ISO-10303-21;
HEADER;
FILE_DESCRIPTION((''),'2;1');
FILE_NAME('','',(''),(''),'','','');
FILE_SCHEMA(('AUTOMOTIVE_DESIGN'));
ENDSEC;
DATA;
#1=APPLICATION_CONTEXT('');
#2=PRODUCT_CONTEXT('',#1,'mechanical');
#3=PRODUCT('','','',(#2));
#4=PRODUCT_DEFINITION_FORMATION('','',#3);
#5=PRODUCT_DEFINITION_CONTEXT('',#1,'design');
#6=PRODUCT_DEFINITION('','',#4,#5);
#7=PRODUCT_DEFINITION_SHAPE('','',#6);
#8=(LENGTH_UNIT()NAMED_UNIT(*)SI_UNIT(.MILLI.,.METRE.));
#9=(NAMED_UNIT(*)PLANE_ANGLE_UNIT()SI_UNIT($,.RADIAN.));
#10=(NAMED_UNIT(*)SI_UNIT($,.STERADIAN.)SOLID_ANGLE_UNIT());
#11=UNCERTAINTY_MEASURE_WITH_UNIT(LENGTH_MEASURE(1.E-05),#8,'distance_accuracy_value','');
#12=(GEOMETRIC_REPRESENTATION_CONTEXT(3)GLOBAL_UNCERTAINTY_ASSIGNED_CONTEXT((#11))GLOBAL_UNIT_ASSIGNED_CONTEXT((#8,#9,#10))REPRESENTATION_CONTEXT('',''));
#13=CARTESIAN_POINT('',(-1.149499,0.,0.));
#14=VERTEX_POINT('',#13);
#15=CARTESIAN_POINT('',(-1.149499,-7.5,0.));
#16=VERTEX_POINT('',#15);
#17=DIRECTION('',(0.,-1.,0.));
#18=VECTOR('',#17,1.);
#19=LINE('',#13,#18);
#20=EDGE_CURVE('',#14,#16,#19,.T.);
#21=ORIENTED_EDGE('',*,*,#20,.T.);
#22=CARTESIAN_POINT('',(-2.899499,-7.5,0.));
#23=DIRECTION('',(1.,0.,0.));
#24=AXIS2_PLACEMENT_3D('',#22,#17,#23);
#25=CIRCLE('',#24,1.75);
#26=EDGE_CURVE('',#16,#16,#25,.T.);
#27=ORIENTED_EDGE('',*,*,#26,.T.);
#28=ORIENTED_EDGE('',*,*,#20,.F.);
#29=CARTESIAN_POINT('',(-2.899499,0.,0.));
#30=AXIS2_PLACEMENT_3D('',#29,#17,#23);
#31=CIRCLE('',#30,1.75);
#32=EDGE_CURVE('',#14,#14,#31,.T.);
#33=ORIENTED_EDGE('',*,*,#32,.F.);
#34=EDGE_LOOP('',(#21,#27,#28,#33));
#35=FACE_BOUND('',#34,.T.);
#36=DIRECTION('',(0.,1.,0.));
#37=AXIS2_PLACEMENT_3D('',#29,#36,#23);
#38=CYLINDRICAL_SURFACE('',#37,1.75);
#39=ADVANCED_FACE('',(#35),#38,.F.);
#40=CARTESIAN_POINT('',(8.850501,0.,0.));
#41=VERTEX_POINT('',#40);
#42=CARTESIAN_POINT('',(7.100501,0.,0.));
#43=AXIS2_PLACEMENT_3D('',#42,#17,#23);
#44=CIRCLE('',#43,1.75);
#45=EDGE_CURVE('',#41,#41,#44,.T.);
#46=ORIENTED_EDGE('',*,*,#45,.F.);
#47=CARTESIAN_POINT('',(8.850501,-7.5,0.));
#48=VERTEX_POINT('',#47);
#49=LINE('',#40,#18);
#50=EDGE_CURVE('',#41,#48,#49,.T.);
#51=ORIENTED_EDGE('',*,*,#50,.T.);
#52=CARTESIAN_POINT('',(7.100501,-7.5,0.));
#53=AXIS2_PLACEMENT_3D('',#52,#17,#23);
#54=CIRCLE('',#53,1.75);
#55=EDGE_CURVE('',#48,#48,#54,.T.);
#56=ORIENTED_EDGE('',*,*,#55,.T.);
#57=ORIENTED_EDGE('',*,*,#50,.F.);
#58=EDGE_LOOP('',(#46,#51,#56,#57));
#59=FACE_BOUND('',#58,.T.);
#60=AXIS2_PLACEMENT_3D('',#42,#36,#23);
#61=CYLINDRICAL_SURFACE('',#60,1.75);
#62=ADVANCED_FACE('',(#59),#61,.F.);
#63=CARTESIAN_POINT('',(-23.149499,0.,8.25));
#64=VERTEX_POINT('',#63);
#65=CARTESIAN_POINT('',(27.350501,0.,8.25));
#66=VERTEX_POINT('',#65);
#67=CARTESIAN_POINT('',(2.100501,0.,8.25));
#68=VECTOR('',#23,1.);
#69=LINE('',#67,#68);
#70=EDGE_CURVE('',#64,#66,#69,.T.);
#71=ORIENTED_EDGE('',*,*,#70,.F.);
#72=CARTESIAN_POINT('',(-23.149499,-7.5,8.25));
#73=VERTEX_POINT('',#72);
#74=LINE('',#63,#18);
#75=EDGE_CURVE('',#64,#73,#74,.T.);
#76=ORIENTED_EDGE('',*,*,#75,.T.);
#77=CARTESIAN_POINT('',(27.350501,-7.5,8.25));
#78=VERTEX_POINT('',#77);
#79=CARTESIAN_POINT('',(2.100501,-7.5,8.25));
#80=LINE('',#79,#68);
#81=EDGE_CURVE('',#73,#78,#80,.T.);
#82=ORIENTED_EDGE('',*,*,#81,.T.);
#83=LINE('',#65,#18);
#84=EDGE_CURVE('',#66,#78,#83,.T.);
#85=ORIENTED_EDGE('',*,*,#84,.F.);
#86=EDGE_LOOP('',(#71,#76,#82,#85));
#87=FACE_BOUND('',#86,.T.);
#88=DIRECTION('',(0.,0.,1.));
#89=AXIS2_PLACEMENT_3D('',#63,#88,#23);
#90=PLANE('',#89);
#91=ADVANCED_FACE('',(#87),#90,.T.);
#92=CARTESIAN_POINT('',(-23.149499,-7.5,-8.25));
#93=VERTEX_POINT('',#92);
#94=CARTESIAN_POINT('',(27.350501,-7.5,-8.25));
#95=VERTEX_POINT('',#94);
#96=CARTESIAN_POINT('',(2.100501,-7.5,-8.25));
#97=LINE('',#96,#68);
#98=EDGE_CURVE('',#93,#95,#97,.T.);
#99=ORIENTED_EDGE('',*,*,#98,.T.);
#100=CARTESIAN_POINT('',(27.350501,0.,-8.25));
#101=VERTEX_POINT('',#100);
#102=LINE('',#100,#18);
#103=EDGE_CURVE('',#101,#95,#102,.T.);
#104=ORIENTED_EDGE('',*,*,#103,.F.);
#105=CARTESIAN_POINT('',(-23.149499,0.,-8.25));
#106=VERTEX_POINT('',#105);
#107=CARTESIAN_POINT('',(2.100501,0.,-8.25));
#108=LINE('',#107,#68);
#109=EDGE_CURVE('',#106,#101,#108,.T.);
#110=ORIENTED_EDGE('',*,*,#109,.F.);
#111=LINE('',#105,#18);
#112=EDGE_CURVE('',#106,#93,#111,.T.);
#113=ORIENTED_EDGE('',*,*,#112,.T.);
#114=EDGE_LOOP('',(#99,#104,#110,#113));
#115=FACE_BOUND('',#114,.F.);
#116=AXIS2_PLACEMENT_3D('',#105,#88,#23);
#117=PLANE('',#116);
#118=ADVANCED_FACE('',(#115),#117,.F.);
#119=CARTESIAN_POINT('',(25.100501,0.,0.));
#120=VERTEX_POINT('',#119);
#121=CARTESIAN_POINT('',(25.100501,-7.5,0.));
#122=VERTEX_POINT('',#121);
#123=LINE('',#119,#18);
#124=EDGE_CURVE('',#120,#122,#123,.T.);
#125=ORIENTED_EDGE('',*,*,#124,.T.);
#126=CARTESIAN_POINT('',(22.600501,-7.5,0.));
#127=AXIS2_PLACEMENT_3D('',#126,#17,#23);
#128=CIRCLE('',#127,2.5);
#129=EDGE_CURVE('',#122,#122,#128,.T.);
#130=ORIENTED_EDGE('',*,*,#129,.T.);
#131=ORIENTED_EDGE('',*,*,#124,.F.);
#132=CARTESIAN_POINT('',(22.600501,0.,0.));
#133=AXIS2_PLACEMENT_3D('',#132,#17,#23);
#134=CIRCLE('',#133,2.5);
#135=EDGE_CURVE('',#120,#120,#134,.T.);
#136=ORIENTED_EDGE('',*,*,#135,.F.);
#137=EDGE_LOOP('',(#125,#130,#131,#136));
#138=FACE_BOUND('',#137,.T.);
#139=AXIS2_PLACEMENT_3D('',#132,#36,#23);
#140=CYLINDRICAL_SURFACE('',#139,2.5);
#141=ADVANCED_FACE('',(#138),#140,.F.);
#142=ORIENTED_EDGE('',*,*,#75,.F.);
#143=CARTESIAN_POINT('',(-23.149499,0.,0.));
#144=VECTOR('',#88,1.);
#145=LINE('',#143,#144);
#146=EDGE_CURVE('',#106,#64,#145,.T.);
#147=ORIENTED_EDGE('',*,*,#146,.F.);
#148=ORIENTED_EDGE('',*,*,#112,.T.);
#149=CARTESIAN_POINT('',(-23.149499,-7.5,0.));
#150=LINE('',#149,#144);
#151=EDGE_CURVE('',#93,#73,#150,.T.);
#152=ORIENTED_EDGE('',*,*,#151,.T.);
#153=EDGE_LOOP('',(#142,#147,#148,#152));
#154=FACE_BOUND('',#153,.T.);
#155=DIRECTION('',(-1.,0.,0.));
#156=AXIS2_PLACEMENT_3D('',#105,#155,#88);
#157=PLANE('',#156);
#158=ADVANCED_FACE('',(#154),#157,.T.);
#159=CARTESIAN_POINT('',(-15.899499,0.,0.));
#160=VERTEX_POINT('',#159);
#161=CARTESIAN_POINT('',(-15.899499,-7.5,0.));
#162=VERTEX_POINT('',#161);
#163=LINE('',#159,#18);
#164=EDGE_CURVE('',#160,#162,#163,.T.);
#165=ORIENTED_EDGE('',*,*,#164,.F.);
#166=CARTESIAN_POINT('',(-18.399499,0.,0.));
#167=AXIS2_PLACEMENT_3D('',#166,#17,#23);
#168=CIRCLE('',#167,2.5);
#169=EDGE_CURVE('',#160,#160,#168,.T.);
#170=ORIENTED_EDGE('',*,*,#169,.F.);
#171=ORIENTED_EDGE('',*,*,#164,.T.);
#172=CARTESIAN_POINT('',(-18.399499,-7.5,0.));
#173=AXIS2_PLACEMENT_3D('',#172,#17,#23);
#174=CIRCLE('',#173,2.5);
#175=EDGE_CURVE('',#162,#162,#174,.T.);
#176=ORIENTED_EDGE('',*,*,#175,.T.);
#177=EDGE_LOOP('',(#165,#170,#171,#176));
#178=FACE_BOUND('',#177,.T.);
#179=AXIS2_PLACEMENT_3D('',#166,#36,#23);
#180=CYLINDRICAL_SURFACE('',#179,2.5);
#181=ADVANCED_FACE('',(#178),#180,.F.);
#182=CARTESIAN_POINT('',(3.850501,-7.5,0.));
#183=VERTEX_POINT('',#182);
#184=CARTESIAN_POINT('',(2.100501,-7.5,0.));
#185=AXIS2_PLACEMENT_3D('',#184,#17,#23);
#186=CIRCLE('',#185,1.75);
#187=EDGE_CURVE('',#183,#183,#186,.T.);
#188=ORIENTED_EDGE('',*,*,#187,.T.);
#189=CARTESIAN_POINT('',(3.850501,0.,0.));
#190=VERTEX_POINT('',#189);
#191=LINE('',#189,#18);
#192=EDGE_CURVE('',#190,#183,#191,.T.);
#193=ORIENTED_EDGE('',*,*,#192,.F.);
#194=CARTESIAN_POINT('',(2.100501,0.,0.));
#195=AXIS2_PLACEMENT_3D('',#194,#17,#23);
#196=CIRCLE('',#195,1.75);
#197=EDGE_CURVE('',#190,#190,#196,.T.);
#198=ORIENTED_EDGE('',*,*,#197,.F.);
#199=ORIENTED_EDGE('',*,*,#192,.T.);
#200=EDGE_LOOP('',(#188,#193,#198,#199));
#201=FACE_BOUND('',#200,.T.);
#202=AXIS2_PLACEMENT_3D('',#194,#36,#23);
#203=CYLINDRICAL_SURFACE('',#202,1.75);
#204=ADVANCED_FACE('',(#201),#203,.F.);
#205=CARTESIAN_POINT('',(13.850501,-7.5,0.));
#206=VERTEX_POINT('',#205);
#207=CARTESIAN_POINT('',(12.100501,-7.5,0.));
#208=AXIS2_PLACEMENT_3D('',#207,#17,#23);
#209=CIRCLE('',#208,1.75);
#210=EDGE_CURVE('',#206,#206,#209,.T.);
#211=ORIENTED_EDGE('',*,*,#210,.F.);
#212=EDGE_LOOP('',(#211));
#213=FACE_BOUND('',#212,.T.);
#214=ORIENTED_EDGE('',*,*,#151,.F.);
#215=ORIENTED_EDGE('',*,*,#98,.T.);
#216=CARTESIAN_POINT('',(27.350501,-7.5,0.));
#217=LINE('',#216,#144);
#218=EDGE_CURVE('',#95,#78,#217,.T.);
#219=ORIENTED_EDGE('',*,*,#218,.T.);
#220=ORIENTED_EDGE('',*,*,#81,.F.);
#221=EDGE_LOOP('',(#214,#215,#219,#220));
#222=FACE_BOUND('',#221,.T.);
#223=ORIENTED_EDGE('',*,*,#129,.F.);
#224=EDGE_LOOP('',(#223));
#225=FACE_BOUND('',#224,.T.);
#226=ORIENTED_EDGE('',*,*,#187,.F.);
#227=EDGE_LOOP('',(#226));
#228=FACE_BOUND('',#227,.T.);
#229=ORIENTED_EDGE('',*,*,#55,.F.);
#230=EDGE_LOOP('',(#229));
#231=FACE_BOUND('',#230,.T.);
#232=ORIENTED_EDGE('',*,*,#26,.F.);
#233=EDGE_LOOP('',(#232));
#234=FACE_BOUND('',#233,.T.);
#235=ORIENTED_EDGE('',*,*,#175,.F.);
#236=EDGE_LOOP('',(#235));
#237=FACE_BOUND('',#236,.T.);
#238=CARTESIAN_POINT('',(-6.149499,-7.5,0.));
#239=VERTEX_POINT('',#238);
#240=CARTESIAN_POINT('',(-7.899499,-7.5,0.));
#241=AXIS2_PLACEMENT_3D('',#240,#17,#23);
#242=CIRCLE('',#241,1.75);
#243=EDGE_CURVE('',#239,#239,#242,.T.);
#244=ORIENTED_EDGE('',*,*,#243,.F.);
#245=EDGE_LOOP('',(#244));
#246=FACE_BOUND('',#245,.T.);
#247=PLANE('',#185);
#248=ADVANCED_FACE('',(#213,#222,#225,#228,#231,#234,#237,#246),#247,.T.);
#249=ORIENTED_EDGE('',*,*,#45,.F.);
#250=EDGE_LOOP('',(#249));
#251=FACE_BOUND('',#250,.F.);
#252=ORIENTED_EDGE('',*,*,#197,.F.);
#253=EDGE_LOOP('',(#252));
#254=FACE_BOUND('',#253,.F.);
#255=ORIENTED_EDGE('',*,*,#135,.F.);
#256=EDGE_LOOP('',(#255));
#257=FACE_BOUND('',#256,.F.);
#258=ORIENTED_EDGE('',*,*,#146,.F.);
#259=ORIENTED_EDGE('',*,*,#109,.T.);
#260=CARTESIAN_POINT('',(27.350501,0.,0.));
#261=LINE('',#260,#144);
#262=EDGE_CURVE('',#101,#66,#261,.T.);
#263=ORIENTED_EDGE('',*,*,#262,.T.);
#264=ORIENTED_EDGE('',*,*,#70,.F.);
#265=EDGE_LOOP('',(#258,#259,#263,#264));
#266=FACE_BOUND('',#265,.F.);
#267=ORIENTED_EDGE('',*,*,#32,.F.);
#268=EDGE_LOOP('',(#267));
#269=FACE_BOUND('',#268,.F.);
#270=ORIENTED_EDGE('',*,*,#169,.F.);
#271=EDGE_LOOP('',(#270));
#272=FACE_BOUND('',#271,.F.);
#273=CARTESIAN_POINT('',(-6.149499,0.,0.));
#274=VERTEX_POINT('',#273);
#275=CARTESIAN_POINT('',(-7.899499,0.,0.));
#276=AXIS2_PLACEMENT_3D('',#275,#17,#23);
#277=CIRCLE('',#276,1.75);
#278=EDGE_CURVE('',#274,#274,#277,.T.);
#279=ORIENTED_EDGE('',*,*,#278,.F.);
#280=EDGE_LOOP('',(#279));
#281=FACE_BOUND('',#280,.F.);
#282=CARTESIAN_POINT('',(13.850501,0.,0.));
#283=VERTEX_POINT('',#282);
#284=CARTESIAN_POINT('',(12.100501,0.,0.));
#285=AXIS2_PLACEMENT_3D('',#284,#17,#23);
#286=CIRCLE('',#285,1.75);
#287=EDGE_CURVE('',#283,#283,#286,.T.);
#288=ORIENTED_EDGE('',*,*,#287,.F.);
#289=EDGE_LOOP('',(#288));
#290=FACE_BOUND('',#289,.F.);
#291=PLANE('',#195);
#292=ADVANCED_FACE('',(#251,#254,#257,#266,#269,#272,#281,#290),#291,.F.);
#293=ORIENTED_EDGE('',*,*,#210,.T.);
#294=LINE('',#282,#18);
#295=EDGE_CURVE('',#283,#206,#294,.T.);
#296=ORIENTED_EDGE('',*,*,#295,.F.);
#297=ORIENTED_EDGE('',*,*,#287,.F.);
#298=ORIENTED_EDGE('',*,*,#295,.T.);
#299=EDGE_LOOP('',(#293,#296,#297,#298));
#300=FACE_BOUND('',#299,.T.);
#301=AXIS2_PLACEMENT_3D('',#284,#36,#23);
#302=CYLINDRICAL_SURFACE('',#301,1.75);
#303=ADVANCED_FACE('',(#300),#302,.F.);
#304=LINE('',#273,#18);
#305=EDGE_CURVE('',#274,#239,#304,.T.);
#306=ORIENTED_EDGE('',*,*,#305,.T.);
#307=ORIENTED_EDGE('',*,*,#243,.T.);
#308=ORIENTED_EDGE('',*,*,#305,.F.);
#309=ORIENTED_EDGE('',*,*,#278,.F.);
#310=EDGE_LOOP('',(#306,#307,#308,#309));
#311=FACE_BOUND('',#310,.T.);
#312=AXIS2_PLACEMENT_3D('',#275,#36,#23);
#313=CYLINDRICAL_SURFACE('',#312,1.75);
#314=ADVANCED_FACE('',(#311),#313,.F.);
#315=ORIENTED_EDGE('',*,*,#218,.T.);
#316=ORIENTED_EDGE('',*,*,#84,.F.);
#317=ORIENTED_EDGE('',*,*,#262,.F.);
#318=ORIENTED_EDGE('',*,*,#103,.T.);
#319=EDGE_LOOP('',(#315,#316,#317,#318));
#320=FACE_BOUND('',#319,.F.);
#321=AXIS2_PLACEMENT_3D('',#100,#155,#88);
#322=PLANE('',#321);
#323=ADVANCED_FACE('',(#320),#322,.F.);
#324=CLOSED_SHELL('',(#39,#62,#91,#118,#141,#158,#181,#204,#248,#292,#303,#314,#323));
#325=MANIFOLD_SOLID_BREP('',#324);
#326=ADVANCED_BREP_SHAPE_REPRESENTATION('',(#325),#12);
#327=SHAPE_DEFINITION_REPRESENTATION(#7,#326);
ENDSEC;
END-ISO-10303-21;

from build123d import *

# Parameters (mm, degrees)
F0_W     = 50.5
F0_H     = 16.5
F0_R     = 2.5
F0_R_2   = 1.75
F1_DEPTH = 7.5


with BuildPart() as f1:
    # F0 (on Front) → F1 (new body)
    with BuildSketch(Plane.XZ):
        with Locations((2.100501, 0)):
            Rectangle(F0_W, F0_H)
        with Locations((-18.399499, 0)):
            Circle(F0_R, mode=Mode.SUBTRACT)
        with Locations((-7.899499, 0)):
            Circle(F0_R_2, mode=Mode.SUBTRACT)
        with Locations((-2.899499, 0)):
            Circle(F0_R_2, mode=Mode.SUBTRACT)
        with Locations((2.100501, 0)):
            Circle(F0_R_2, mode=Mode.SUBTRACT)
        with Locations((7.100501, 0)):
            Circle(F0_R_2, mode=Mode.SUBTRACT)
        with Locations((12.100501, 0)):
            Circle(F0_R_2, mode=Mode.SUBTRACT)
        with Locations((22.600501, 0)):
            Circle(F0_R, mode=Mode.SUBTRACT)
    extrude(amount=F1_DEPTH)


solid = f1.part
